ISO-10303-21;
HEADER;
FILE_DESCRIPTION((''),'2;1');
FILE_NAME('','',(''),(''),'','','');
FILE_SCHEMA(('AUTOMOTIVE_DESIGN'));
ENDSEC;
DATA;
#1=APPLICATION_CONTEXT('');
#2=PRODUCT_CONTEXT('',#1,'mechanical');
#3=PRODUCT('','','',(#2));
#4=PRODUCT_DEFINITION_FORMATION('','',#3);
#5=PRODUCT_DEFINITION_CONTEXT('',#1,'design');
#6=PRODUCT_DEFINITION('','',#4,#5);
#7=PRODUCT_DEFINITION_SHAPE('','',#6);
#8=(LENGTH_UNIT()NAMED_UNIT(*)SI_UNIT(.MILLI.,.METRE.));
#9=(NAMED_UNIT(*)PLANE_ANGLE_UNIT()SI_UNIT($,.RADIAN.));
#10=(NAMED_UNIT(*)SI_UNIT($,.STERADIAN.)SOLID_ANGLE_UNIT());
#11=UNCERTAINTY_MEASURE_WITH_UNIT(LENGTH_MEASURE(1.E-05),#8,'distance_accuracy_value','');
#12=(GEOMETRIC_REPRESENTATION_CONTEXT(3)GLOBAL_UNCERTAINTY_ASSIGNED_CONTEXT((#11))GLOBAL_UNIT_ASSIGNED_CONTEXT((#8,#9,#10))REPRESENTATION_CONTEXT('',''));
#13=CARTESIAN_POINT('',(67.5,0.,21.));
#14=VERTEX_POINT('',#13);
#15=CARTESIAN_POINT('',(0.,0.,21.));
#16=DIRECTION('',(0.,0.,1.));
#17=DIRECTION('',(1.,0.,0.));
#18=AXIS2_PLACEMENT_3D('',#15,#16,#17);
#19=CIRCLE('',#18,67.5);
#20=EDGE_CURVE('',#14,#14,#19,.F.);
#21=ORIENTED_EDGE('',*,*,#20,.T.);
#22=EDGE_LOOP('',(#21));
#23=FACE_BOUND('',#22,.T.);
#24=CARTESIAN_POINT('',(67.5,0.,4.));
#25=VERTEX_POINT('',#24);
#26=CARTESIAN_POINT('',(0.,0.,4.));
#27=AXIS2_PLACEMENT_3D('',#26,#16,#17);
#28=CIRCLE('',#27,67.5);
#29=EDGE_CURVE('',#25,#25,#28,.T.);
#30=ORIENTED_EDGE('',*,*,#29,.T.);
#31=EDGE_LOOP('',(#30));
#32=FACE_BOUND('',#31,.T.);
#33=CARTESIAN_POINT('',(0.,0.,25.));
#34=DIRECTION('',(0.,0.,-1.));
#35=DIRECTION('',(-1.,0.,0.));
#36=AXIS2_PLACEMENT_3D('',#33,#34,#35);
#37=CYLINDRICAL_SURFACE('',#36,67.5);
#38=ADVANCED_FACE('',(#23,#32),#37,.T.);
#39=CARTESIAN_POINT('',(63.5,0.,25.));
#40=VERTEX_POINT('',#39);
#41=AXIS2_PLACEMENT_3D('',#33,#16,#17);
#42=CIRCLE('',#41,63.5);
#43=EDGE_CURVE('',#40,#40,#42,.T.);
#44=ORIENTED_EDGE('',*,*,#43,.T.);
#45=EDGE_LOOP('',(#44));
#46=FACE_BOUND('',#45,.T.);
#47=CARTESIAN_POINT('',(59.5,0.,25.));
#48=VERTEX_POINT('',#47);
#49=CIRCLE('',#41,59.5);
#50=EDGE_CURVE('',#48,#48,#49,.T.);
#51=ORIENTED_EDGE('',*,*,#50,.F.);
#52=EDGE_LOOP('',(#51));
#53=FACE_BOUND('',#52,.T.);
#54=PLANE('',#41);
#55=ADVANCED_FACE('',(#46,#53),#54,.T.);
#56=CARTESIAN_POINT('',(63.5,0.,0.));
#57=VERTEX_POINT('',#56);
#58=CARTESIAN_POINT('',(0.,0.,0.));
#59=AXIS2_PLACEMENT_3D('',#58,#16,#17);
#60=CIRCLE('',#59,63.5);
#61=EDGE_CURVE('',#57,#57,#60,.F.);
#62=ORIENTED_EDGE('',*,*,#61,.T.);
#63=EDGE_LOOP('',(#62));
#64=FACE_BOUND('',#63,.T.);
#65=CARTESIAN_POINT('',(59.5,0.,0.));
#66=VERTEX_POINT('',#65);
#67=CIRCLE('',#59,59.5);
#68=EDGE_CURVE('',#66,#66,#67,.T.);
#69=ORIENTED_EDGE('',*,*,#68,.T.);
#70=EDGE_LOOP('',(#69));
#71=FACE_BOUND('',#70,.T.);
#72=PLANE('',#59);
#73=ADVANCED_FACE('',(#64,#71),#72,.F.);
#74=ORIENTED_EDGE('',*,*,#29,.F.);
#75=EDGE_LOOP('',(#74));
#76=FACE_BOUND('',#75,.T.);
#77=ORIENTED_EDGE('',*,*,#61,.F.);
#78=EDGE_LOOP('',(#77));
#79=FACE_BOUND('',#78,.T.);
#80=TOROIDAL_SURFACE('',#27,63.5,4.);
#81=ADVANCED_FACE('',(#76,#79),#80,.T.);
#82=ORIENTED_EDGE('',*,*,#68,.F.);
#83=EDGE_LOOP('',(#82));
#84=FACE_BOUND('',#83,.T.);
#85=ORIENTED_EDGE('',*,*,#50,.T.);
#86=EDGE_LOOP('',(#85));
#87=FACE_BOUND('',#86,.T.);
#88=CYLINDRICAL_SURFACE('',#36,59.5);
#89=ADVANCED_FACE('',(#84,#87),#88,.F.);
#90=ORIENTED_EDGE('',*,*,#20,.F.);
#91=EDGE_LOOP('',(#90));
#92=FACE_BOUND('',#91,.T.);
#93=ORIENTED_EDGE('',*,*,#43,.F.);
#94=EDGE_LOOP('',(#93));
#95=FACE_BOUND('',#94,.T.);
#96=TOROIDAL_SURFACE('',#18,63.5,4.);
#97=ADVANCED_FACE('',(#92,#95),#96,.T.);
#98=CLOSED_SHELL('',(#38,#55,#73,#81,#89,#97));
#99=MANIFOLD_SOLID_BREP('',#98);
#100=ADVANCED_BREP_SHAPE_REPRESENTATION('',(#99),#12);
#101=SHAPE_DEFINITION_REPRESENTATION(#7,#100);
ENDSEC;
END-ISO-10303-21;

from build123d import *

# Parameters (mm, degrees)
SKETCH_1_R      = 67.5
SKETCH_1_R_2    = 59.5
EXTRUDE_1_DEPTH = 25
FILLET_1_R      = 4


with BuildPart() as part:
    # 草图1 → 凸台-拉伸1 (new body)
    with BuildSketch(Plane.XY):
        Circle(SKETCH_1_R)
        Circle(SKETCH_1_R_2, mode=Mode.SUBTRACT)
    extrude(amount=EXTRUDE_1_DEPTH)

    # 圆角1
    fillet_1_edges = [part.edges().sort_by_distance(p)[0] for p in [
        (-67.5, 0, 0),
        (-67.5, 0, 25),
    ]]
    fillet(fillet_1_edges, radius=FILLET_1_R)


solid = part.part
